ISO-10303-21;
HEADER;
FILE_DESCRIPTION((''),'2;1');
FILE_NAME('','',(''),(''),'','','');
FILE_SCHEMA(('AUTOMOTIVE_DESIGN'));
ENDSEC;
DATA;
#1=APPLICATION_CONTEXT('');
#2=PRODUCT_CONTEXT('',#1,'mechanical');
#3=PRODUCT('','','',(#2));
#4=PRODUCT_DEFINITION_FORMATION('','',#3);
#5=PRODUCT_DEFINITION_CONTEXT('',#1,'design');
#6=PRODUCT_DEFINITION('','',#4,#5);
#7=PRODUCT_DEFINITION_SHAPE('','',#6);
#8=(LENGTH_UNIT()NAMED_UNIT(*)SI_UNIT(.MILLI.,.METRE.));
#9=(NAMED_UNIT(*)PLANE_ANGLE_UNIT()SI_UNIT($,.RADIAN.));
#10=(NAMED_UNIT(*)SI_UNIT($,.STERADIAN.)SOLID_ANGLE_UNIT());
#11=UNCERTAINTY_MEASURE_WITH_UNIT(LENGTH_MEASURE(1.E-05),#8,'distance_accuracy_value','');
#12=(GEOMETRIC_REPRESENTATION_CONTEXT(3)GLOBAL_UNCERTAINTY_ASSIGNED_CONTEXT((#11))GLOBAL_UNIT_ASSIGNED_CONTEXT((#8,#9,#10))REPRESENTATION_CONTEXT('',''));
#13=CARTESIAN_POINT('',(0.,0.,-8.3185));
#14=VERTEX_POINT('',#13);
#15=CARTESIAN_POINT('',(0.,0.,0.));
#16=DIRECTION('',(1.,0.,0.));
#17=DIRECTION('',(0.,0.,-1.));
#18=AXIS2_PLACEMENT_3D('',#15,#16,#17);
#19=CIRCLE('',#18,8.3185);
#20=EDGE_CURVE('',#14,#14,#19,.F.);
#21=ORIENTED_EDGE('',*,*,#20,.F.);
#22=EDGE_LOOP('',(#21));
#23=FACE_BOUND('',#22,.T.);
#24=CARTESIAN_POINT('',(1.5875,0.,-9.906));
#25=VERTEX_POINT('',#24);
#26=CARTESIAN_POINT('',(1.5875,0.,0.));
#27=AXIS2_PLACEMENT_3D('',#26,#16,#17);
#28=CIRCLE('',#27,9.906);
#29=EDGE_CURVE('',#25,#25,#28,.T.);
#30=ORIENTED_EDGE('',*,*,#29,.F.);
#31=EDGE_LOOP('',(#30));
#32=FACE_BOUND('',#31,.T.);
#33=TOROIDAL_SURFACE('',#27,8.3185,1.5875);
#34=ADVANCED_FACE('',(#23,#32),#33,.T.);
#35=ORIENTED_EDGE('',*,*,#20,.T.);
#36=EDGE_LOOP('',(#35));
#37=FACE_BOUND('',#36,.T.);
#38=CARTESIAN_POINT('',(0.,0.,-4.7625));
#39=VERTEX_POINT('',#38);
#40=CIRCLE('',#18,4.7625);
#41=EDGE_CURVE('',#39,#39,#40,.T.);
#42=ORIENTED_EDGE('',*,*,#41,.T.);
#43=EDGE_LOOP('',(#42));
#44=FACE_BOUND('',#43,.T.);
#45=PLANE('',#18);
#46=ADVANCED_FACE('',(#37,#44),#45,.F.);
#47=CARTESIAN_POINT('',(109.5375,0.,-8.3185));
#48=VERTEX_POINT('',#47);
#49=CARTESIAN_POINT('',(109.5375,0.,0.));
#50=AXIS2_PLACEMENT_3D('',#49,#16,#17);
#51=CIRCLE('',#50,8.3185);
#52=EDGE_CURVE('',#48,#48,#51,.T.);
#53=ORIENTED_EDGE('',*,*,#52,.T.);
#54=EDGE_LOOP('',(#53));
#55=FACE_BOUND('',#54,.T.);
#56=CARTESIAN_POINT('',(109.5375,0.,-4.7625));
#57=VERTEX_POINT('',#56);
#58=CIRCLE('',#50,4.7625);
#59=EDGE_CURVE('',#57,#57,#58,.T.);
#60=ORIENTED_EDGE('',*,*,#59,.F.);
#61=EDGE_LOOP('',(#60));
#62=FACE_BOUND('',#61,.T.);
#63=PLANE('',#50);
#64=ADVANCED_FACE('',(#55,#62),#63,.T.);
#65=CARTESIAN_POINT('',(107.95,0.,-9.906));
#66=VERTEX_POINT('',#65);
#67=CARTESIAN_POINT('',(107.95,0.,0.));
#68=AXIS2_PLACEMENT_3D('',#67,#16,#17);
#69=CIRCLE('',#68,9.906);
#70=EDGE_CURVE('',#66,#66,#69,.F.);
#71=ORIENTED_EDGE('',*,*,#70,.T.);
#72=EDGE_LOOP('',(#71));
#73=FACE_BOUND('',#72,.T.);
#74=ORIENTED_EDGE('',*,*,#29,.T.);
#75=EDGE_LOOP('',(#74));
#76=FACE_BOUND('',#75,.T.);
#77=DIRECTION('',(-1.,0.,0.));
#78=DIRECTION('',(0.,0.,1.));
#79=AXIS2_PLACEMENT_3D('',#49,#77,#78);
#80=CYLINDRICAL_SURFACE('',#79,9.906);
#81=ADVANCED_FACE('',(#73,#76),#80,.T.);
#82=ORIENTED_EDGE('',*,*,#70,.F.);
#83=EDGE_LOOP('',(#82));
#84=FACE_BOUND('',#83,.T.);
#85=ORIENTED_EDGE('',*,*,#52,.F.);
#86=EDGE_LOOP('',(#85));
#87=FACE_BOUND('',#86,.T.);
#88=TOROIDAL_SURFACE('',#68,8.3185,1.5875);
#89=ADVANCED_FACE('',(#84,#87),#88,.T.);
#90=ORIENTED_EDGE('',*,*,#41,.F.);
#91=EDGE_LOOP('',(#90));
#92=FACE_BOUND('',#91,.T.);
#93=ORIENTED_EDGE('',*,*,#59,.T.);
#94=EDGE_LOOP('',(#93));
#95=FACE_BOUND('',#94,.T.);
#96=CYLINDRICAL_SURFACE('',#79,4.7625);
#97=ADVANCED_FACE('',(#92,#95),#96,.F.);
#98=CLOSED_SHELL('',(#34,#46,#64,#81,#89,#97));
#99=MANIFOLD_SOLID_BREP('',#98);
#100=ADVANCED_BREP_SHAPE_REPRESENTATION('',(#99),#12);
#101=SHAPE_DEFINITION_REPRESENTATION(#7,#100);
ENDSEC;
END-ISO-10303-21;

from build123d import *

# Parameters (mm, degrees)
SKETCH1_R           = 9.906
SKETCH1_R_2         = 4.7625
BOSS_EXTRUDE1_DEPTH = 109.5375
FILLET1_R           = 1.5875


with BuildPart() as part:
    # Sketch1 → Boss-Extrude1 (new body)
    with BuildSketch(Plane(origin=(0, 0, 0), x_dir=(0, 0, -1), z_dir=(1, 0, 0))):
        Circle(SKETCH1_R)
        Circle(SKETCH1_R_2, mode=Mode.SUBTRACT)
    extrude(amount=BOSS_EXTRUDE1_DEPTH)

    # Fillet1
    fillet1_edges = [part.edges().sort_by_distance(p)[0] for p in [
        (0, 0, 9.906),
        (109.5375, 0, 9.906),
    ]]
    fillet(fillet1_edges, radius=FILLET1_R)


solid = part.part
